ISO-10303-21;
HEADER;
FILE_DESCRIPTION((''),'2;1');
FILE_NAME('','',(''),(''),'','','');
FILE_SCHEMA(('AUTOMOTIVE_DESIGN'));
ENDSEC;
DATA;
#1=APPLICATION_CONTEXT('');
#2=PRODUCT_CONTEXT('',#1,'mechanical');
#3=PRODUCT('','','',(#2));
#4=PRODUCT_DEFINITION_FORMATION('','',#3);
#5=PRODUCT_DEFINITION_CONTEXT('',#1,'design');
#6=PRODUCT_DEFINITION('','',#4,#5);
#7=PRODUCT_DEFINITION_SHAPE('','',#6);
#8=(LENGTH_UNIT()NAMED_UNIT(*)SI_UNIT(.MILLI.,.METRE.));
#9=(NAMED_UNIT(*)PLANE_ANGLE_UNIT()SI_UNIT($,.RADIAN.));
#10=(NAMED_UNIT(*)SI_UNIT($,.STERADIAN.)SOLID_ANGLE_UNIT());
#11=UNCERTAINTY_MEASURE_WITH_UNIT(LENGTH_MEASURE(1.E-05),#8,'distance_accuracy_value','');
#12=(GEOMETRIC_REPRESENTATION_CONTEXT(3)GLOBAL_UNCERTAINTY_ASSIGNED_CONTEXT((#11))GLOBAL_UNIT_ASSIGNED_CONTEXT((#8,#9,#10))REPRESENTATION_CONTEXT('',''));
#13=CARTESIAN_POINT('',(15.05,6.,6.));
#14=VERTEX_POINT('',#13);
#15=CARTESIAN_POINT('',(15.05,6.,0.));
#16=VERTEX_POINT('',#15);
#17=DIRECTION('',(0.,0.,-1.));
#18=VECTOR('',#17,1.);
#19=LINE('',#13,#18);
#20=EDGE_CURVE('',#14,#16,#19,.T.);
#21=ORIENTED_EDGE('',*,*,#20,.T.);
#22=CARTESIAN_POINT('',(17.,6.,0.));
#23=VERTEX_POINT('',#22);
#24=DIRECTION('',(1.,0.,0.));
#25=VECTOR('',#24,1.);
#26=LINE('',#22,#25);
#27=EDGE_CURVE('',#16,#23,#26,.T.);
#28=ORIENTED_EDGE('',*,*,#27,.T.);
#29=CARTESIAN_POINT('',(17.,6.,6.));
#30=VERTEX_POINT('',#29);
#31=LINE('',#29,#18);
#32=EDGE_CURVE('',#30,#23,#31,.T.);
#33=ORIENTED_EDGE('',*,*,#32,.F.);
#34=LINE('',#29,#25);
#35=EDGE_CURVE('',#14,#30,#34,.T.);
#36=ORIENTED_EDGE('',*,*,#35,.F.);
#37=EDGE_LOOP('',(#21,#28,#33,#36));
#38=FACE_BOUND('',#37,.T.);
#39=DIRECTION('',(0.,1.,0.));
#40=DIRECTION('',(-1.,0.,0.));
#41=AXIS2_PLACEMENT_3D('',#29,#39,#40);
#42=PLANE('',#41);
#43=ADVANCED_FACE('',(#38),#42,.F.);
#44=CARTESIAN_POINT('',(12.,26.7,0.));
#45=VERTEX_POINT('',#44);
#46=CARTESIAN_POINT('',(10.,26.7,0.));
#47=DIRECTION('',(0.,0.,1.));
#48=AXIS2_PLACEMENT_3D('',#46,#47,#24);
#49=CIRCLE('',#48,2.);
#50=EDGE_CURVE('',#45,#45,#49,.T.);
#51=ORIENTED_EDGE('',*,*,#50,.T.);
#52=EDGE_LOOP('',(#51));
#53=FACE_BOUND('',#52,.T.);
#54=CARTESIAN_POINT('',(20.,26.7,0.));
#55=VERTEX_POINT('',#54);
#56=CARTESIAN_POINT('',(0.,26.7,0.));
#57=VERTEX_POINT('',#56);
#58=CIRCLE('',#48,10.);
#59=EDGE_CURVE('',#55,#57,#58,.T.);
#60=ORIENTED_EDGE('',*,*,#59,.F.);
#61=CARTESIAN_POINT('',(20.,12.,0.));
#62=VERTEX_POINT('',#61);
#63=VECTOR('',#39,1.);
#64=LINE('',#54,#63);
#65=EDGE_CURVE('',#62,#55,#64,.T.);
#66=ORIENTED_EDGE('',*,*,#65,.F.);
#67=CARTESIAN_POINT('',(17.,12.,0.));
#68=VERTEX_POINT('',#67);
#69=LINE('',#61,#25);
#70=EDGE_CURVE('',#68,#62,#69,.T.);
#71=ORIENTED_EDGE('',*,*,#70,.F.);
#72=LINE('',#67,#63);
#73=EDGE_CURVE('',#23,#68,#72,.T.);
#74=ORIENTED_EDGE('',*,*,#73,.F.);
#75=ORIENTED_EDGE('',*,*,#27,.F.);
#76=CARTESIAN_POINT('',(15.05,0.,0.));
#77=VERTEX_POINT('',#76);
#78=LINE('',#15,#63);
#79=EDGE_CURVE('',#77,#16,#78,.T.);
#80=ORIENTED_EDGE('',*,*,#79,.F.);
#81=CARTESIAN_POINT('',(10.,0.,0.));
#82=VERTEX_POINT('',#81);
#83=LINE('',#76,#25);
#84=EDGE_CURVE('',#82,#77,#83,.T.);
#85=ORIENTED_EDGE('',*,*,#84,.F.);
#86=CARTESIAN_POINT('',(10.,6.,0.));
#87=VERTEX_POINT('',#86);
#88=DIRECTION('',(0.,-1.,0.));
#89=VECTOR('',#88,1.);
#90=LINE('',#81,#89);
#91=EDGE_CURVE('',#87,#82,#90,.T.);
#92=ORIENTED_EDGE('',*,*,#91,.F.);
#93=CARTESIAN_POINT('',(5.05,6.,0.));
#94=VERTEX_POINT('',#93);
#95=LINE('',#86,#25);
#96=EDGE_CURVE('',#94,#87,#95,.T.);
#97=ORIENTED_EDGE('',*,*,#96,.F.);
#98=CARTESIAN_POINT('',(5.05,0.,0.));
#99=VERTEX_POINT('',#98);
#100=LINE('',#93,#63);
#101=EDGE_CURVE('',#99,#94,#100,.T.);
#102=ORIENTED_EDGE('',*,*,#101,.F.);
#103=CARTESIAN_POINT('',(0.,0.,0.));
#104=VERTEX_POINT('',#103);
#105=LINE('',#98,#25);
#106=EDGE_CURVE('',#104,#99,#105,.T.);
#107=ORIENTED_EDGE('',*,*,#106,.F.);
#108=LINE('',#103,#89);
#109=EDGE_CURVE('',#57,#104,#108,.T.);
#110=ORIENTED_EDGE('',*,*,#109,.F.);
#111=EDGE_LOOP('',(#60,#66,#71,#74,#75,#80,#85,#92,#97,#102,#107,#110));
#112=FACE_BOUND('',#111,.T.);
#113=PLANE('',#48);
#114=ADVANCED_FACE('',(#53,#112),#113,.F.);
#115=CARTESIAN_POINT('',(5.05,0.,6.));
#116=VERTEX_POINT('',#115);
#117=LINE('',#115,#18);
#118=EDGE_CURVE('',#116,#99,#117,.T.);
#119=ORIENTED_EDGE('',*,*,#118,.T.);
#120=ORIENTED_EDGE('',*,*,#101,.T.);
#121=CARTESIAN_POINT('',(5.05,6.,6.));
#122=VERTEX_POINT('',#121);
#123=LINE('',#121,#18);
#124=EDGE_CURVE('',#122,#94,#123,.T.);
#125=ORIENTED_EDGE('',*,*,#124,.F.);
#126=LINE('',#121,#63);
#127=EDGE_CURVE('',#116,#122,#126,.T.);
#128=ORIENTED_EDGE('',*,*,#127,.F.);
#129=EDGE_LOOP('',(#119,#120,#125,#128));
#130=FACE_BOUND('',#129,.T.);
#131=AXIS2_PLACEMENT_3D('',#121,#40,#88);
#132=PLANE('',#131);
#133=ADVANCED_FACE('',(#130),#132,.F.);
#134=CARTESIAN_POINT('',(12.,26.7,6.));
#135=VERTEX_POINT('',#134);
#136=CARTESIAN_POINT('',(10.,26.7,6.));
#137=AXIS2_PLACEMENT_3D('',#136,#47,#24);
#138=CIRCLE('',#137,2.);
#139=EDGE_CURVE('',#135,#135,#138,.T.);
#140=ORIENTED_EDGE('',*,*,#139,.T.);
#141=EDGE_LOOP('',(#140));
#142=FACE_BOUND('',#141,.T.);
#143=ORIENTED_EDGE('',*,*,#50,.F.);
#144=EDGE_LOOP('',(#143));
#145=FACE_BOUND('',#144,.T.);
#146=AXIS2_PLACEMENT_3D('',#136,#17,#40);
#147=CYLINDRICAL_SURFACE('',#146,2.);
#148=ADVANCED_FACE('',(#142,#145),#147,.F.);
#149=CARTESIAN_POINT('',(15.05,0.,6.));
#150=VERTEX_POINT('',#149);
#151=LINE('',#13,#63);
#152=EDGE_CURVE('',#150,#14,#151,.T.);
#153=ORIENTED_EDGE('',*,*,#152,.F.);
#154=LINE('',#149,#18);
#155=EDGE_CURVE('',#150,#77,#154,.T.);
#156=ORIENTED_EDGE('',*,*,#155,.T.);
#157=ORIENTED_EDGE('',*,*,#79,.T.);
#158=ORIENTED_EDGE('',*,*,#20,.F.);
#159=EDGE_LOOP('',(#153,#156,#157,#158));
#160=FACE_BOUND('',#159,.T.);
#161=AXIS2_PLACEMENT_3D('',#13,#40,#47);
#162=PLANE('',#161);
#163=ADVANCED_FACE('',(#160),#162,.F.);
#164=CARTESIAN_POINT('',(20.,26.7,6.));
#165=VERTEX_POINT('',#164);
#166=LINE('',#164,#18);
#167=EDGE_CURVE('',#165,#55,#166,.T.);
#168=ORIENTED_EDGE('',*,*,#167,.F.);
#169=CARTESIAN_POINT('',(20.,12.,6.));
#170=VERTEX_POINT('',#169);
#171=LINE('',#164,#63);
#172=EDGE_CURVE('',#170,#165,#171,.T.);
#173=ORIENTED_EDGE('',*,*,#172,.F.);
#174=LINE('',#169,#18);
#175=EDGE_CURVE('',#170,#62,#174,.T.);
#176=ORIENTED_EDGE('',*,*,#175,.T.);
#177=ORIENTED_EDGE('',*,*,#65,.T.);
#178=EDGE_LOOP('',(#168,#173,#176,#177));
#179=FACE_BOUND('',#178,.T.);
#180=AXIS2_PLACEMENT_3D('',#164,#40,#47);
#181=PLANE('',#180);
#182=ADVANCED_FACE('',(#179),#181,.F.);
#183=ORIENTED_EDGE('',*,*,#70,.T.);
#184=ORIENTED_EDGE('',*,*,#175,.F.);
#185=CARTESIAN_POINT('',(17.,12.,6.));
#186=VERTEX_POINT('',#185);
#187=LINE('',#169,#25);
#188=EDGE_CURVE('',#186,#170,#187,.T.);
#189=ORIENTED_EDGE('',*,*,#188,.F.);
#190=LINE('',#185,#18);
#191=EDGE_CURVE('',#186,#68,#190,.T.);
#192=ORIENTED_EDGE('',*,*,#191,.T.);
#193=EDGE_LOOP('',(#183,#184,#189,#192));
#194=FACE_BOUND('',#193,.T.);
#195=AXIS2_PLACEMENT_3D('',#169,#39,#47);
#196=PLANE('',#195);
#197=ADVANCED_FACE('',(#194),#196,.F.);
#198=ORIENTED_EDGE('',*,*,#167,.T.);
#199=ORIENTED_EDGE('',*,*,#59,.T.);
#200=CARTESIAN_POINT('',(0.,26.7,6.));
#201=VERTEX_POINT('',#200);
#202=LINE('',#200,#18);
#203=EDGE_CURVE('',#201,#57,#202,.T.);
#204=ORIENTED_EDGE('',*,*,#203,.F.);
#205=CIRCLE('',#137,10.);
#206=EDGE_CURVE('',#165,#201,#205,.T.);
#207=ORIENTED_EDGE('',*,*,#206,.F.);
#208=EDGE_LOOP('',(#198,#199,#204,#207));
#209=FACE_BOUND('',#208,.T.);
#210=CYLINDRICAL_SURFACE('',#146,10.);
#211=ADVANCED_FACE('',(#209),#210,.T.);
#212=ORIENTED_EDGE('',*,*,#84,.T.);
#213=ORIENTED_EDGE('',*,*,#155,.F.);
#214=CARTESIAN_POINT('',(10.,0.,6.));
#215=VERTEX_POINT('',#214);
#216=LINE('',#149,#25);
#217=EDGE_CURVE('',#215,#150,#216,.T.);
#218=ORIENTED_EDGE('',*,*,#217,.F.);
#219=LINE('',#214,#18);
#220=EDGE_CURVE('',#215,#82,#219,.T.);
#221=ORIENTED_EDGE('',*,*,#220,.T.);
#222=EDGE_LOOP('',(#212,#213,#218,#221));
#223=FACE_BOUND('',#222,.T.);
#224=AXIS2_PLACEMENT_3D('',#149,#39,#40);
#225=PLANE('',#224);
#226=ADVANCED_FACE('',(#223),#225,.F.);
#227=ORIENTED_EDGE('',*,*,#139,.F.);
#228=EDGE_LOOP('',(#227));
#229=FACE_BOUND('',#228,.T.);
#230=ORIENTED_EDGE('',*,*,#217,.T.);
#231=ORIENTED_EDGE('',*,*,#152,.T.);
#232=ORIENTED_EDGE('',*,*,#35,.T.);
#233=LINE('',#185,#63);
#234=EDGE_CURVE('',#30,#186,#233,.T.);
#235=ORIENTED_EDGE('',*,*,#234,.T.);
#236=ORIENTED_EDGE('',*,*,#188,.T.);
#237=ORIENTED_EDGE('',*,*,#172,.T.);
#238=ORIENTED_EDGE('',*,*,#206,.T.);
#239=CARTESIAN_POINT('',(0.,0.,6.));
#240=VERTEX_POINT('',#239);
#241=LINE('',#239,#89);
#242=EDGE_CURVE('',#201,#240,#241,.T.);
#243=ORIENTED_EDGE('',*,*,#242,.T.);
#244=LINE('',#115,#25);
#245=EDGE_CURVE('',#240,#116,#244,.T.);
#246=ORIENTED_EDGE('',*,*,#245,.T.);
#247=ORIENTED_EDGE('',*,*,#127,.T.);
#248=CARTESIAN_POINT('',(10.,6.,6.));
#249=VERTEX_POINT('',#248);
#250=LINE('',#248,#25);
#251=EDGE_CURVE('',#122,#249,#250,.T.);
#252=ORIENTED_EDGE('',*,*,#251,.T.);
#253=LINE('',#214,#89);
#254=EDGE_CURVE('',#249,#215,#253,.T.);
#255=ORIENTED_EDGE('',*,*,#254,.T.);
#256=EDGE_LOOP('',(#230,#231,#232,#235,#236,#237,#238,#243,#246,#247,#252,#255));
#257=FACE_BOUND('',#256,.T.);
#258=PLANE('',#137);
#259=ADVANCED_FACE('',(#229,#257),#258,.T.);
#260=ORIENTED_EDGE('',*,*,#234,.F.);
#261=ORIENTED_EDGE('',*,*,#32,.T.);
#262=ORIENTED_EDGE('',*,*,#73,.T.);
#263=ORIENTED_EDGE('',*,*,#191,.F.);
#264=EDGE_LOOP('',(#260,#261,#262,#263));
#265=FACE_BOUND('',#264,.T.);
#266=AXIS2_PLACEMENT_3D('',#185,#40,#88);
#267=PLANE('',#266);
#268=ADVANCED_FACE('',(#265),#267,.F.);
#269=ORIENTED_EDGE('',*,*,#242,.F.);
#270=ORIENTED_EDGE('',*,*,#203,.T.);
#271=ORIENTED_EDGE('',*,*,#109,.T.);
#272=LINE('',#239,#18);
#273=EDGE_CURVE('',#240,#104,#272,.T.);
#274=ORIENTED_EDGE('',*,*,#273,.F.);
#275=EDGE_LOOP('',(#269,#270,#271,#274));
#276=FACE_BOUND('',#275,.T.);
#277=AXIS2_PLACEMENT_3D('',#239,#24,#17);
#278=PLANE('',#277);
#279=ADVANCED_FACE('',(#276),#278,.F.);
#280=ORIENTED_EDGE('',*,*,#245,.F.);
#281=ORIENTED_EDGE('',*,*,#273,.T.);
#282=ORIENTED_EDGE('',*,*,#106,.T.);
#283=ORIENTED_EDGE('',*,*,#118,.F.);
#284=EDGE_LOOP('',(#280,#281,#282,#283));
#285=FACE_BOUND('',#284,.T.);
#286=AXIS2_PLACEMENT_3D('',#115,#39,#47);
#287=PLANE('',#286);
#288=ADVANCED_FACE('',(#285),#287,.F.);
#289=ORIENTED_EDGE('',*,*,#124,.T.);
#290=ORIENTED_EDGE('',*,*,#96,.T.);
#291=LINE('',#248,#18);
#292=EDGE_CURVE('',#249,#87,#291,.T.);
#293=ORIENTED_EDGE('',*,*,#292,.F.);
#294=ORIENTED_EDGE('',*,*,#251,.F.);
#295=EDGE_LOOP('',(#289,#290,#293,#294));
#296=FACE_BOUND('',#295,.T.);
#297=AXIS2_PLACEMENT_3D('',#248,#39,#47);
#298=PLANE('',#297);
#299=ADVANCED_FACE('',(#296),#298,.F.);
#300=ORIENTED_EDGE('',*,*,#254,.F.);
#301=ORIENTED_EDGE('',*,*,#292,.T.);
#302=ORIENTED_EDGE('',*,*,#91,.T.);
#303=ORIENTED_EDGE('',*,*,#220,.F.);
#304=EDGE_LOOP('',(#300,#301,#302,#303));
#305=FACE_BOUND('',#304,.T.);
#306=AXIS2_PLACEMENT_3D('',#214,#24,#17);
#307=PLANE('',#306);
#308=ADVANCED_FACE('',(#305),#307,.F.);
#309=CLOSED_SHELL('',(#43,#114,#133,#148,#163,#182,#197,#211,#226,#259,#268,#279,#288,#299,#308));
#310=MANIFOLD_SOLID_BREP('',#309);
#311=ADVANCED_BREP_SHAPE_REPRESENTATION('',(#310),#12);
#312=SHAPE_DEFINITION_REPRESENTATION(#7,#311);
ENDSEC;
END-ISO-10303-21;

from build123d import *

# Parameters (mm, degrees)
ESQUISSE1_R        = 2
BOSS_EXTRU_1_DEPTH = 6


with BuildPart() as part:
    # Esquisse1 → Boss.-Extru.1 (new body)
    with BuildSketch(Plane.XY):
        with BuildLine():
            Line((0, 0), (0, 26.7))
            ThreePointArc((0, 26.7), (10, 36.7), (20, 26.7))
            Line((20, 26.7), (20, 12))
            Line((20, 12), (17, 12))
            Line((17, 12), (17, 6))
            Line((17, 6), (15.05, 6))
            Line((15.05, 6), (15.05, 0))
            Line((15.05, 0), (10, 0))
            Line((10, 0), (10, 6))
            Line((10, 6), (5.05, 6))
            Line((5.05, 6), (5.05, 0))
            Line((5.05, 0), (0, 0))
        make_face()
        with Locations((10, 26.7)):
            Circle(ESQUISSE1_R, mode=Mode.SUBTRACT)
    extrude(amount=BOSS_EXTRU_1_DEPTH)


solid = part.part
